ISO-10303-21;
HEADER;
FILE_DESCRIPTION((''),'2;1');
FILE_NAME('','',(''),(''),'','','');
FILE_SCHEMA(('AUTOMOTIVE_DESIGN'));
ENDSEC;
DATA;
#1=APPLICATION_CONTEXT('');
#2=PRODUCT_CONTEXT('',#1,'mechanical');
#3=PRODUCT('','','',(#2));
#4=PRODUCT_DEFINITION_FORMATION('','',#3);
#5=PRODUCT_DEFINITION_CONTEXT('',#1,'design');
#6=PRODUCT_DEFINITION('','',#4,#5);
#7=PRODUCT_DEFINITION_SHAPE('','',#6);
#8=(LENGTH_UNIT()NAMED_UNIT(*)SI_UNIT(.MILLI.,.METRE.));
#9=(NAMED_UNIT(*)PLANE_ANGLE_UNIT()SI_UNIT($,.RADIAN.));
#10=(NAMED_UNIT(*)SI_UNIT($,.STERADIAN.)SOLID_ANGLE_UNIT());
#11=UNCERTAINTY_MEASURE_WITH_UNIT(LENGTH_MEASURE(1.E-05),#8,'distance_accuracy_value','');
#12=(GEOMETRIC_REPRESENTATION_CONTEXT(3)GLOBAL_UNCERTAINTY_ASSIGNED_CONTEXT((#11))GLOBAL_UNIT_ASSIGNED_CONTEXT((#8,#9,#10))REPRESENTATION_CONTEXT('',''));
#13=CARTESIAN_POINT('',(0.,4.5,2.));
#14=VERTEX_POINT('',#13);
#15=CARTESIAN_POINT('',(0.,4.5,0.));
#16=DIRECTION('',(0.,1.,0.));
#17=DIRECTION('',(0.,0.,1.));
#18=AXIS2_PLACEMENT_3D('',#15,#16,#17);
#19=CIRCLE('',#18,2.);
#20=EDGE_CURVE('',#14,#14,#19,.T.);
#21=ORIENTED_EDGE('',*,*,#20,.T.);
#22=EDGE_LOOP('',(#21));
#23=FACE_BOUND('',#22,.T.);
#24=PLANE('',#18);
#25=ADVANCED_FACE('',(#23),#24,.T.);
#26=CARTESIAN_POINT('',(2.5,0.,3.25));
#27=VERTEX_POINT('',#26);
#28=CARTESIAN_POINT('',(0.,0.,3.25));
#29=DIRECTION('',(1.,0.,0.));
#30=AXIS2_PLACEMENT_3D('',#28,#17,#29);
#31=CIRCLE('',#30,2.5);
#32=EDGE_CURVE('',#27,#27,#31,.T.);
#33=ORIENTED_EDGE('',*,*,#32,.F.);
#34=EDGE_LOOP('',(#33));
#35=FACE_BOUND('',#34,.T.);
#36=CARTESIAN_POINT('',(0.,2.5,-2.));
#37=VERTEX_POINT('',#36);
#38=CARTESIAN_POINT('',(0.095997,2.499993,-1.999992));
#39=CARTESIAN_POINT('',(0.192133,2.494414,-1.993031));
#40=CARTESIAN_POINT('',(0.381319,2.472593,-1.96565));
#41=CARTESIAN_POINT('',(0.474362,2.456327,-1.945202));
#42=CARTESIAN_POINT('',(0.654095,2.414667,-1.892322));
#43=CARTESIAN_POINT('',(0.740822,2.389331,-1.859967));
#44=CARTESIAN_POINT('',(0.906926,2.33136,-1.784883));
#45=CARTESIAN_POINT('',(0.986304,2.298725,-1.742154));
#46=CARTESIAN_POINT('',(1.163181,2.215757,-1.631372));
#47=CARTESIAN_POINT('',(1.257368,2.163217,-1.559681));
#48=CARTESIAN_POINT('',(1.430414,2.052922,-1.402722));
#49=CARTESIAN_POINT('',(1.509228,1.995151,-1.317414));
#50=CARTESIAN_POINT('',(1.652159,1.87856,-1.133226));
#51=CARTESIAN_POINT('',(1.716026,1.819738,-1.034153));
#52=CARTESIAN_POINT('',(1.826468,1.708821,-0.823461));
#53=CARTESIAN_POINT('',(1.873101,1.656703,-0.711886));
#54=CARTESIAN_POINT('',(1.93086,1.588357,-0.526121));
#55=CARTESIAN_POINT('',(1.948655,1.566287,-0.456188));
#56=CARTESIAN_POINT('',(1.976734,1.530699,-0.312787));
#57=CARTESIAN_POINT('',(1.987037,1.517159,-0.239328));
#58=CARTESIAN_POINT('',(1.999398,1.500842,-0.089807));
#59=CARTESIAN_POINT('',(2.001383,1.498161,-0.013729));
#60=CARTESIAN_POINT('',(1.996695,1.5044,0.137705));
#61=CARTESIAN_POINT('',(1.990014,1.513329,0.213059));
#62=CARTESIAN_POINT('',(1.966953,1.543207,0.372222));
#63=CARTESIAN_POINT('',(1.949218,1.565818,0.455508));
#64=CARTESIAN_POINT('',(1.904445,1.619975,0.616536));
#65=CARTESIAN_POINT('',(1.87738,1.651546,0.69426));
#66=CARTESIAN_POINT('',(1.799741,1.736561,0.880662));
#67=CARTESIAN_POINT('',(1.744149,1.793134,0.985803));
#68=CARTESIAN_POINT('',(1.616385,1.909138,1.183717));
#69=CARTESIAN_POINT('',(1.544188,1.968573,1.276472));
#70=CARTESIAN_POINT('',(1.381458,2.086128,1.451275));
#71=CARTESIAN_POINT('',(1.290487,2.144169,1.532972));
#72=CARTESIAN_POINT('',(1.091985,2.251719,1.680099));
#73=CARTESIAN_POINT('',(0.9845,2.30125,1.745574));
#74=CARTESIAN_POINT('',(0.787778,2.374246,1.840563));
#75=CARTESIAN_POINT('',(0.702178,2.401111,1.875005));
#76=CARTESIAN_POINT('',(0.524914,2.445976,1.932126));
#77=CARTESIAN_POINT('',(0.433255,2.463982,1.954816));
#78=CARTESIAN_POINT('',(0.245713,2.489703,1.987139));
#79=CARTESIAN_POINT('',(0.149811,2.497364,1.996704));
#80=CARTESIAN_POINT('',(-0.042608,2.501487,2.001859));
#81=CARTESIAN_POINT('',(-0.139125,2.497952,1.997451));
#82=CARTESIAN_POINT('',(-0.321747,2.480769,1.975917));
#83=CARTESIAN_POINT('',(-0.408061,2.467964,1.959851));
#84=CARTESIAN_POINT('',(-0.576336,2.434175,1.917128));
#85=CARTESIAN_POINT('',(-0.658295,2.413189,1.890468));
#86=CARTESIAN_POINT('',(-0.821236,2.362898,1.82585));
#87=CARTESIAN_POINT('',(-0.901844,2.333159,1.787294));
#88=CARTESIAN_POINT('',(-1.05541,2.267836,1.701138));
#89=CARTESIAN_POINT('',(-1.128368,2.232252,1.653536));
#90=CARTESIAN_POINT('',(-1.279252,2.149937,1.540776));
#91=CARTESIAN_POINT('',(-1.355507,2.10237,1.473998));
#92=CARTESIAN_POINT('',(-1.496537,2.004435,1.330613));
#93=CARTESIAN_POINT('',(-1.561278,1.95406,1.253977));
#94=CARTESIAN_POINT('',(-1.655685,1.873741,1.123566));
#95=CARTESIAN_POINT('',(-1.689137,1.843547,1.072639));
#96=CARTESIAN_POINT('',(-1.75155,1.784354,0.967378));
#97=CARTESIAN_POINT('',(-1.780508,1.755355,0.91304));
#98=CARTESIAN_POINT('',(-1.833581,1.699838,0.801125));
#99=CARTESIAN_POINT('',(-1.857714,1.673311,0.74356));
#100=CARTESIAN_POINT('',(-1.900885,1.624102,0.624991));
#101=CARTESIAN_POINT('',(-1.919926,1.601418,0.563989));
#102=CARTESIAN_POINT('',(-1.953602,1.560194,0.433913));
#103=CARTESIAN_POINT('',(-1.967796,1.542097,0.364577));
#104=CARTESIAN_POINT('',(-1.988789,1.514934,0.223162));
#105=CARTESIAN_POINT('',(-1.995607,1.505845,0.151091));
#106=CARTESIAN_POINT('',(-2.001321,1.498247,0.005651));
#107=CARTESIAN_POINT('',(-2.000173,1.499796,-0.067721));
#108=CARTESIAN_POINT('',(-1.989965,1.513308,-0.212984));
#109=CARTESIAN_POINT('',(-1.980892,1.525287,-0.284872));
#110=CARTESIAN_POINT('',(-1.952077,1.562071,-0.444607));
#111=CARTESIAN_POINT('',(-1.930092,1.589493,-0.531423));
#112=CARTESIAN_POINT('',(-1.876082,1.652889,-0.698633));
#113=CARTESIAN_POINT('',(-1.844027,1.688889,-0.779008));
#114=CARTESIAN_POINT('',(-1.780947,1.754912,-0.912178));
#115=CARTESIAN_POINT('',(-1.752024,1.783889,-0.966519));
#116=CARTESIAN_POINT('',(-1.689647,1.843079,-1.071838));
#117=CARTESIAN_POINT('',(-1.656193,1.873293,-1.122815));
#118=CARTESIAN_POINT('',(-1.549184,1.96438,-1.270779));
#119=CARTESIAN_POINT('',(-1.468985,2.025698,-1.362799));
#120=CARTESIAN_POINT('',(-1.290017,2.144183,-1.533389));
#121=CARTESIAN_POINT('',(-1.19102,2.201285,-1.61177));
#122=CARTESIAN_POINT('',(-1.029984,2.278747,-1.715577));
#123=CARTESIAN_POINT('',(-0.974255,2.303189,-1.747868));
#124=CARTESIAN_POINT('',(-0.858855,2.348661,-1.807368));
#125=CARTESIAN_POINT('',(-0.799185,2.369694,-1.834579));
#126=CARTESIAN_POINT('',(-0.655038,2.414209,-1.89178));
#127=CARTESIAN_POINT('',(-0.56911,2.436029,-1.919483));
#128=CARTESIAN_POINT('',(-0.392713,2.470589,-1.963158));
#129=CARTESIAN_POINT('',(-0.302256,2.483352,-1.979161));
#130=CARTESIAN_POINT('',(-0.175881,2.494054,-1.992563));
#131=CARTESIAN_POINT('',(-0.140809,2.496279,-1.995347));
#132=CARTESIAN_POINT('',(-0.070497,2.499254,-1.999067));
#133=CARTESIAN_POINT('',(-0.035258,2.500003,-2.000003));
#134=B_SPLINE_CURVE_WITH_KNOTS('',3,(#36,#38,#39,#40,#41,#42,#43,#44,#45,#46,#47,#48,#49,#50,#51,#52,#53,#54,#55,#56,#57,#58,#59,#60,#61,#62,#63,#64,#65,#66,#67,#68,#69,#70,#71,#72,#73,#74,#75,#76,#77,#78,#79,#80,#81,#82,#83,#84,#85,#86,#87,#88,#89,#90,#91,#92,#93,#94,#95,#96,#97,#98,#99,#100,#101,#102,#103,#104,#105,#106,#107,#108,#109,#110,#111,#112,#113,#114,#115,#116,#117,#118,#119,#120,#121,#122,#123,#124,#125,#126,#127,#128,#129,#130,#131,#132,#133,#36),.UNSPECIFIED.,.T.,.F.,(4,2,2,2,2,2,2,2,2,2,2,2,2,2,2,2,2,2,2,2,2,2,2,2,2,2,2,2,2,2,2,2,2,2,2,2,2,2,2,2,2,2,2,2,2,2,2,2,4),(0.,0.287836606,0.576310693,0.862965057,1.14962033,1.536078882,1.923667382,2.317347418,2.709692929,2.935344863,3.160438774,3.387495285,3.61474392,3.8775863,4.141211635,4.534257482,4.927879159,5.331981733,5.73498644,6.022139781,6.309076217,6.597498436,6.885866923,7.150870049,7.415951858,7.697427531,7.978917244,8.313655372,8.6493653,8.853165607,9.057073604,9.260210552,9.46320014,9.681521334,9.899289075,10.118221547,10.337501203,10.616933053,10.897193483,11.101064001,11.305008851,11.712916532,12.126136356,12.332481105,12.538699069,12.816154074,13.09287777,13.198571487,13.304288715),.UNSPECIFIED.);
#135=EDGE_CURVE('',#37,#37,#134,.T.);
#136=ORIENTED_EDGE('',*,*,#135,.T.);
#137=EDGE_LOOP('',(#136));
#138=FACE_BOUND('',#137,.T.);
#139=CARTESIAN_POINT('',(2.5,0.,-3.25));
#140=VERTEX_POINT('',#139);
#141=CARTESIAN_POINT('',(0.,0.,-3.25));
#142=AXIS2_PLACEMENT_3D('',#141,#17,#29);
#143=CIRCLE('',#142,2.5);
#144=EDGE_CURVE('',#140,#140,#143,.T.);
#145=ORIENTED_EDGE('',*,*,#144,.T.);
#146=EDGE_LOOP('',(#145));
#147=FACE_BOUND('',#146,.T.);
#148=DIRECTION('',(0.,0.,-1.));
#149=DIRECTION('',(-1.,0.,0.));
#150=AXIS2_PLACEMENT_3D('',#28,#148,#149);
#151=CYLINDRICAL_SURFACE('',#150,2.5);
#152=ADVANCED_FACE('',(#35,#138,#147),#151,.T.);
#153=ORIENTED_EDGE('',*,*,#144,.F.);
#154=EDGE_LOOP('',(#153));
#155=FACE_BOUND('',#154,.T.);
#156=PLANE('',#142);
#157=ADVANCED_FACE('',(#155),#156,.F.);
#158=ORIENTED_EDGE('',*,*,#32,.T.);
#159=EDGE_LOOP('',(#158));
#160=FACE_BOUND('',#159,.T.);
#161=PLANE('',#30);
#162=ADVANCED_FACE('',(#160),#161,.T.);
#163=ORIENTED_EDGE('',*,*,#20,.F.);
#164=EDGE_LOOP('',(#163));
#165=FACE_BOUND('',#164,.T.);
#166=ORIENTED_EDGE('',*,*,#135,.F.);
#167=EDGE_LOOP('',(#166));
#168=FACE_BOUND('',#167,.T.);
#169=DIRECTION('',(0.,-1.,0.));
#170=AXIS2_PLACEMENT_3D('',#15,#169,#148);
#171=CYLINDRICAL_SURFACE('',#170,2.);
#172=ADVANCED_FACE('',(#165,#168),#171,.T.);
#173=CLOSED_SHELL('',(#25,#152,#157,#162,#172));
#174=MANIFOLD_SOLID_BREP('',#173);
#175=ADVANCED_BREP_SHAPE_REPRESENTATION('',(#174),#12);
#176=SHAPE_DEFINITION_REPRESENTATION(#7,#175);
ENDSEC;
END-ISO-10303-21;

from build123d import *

# Parameters (mm, degrees)
SKETCH1_R           = 2
BOSS_EXTRUDE1_DEPTH = 4.5
SKETCH3_R           = 2.5
BOSS_EXTRUDE2_DEPTH = 3.25


with BuildPart() as part:
    # Sketch1 → Boss-Extrude1 (new body)
    with BuildSketch(Plane(origin=(0, 0, 0), x_dir=(1, 0, 0), z_dir=(0, 1, 0))):
        with Locations(Location((0, 0, 0), (0, 0, 270))):
            Circle(SKETCH1_R)
    extrude(amount=BOSS_EXTRUDE1_DEPTH)

    # Sketch3 → Boss-Extrude2 (add, symmetric)
    with BuildSketch(Plane.XY):
        Circle(SKETCH3_R)
    extrude(amount=BOSS_EXTRUDE2_DEPTH, both=True)


solid = part.part
